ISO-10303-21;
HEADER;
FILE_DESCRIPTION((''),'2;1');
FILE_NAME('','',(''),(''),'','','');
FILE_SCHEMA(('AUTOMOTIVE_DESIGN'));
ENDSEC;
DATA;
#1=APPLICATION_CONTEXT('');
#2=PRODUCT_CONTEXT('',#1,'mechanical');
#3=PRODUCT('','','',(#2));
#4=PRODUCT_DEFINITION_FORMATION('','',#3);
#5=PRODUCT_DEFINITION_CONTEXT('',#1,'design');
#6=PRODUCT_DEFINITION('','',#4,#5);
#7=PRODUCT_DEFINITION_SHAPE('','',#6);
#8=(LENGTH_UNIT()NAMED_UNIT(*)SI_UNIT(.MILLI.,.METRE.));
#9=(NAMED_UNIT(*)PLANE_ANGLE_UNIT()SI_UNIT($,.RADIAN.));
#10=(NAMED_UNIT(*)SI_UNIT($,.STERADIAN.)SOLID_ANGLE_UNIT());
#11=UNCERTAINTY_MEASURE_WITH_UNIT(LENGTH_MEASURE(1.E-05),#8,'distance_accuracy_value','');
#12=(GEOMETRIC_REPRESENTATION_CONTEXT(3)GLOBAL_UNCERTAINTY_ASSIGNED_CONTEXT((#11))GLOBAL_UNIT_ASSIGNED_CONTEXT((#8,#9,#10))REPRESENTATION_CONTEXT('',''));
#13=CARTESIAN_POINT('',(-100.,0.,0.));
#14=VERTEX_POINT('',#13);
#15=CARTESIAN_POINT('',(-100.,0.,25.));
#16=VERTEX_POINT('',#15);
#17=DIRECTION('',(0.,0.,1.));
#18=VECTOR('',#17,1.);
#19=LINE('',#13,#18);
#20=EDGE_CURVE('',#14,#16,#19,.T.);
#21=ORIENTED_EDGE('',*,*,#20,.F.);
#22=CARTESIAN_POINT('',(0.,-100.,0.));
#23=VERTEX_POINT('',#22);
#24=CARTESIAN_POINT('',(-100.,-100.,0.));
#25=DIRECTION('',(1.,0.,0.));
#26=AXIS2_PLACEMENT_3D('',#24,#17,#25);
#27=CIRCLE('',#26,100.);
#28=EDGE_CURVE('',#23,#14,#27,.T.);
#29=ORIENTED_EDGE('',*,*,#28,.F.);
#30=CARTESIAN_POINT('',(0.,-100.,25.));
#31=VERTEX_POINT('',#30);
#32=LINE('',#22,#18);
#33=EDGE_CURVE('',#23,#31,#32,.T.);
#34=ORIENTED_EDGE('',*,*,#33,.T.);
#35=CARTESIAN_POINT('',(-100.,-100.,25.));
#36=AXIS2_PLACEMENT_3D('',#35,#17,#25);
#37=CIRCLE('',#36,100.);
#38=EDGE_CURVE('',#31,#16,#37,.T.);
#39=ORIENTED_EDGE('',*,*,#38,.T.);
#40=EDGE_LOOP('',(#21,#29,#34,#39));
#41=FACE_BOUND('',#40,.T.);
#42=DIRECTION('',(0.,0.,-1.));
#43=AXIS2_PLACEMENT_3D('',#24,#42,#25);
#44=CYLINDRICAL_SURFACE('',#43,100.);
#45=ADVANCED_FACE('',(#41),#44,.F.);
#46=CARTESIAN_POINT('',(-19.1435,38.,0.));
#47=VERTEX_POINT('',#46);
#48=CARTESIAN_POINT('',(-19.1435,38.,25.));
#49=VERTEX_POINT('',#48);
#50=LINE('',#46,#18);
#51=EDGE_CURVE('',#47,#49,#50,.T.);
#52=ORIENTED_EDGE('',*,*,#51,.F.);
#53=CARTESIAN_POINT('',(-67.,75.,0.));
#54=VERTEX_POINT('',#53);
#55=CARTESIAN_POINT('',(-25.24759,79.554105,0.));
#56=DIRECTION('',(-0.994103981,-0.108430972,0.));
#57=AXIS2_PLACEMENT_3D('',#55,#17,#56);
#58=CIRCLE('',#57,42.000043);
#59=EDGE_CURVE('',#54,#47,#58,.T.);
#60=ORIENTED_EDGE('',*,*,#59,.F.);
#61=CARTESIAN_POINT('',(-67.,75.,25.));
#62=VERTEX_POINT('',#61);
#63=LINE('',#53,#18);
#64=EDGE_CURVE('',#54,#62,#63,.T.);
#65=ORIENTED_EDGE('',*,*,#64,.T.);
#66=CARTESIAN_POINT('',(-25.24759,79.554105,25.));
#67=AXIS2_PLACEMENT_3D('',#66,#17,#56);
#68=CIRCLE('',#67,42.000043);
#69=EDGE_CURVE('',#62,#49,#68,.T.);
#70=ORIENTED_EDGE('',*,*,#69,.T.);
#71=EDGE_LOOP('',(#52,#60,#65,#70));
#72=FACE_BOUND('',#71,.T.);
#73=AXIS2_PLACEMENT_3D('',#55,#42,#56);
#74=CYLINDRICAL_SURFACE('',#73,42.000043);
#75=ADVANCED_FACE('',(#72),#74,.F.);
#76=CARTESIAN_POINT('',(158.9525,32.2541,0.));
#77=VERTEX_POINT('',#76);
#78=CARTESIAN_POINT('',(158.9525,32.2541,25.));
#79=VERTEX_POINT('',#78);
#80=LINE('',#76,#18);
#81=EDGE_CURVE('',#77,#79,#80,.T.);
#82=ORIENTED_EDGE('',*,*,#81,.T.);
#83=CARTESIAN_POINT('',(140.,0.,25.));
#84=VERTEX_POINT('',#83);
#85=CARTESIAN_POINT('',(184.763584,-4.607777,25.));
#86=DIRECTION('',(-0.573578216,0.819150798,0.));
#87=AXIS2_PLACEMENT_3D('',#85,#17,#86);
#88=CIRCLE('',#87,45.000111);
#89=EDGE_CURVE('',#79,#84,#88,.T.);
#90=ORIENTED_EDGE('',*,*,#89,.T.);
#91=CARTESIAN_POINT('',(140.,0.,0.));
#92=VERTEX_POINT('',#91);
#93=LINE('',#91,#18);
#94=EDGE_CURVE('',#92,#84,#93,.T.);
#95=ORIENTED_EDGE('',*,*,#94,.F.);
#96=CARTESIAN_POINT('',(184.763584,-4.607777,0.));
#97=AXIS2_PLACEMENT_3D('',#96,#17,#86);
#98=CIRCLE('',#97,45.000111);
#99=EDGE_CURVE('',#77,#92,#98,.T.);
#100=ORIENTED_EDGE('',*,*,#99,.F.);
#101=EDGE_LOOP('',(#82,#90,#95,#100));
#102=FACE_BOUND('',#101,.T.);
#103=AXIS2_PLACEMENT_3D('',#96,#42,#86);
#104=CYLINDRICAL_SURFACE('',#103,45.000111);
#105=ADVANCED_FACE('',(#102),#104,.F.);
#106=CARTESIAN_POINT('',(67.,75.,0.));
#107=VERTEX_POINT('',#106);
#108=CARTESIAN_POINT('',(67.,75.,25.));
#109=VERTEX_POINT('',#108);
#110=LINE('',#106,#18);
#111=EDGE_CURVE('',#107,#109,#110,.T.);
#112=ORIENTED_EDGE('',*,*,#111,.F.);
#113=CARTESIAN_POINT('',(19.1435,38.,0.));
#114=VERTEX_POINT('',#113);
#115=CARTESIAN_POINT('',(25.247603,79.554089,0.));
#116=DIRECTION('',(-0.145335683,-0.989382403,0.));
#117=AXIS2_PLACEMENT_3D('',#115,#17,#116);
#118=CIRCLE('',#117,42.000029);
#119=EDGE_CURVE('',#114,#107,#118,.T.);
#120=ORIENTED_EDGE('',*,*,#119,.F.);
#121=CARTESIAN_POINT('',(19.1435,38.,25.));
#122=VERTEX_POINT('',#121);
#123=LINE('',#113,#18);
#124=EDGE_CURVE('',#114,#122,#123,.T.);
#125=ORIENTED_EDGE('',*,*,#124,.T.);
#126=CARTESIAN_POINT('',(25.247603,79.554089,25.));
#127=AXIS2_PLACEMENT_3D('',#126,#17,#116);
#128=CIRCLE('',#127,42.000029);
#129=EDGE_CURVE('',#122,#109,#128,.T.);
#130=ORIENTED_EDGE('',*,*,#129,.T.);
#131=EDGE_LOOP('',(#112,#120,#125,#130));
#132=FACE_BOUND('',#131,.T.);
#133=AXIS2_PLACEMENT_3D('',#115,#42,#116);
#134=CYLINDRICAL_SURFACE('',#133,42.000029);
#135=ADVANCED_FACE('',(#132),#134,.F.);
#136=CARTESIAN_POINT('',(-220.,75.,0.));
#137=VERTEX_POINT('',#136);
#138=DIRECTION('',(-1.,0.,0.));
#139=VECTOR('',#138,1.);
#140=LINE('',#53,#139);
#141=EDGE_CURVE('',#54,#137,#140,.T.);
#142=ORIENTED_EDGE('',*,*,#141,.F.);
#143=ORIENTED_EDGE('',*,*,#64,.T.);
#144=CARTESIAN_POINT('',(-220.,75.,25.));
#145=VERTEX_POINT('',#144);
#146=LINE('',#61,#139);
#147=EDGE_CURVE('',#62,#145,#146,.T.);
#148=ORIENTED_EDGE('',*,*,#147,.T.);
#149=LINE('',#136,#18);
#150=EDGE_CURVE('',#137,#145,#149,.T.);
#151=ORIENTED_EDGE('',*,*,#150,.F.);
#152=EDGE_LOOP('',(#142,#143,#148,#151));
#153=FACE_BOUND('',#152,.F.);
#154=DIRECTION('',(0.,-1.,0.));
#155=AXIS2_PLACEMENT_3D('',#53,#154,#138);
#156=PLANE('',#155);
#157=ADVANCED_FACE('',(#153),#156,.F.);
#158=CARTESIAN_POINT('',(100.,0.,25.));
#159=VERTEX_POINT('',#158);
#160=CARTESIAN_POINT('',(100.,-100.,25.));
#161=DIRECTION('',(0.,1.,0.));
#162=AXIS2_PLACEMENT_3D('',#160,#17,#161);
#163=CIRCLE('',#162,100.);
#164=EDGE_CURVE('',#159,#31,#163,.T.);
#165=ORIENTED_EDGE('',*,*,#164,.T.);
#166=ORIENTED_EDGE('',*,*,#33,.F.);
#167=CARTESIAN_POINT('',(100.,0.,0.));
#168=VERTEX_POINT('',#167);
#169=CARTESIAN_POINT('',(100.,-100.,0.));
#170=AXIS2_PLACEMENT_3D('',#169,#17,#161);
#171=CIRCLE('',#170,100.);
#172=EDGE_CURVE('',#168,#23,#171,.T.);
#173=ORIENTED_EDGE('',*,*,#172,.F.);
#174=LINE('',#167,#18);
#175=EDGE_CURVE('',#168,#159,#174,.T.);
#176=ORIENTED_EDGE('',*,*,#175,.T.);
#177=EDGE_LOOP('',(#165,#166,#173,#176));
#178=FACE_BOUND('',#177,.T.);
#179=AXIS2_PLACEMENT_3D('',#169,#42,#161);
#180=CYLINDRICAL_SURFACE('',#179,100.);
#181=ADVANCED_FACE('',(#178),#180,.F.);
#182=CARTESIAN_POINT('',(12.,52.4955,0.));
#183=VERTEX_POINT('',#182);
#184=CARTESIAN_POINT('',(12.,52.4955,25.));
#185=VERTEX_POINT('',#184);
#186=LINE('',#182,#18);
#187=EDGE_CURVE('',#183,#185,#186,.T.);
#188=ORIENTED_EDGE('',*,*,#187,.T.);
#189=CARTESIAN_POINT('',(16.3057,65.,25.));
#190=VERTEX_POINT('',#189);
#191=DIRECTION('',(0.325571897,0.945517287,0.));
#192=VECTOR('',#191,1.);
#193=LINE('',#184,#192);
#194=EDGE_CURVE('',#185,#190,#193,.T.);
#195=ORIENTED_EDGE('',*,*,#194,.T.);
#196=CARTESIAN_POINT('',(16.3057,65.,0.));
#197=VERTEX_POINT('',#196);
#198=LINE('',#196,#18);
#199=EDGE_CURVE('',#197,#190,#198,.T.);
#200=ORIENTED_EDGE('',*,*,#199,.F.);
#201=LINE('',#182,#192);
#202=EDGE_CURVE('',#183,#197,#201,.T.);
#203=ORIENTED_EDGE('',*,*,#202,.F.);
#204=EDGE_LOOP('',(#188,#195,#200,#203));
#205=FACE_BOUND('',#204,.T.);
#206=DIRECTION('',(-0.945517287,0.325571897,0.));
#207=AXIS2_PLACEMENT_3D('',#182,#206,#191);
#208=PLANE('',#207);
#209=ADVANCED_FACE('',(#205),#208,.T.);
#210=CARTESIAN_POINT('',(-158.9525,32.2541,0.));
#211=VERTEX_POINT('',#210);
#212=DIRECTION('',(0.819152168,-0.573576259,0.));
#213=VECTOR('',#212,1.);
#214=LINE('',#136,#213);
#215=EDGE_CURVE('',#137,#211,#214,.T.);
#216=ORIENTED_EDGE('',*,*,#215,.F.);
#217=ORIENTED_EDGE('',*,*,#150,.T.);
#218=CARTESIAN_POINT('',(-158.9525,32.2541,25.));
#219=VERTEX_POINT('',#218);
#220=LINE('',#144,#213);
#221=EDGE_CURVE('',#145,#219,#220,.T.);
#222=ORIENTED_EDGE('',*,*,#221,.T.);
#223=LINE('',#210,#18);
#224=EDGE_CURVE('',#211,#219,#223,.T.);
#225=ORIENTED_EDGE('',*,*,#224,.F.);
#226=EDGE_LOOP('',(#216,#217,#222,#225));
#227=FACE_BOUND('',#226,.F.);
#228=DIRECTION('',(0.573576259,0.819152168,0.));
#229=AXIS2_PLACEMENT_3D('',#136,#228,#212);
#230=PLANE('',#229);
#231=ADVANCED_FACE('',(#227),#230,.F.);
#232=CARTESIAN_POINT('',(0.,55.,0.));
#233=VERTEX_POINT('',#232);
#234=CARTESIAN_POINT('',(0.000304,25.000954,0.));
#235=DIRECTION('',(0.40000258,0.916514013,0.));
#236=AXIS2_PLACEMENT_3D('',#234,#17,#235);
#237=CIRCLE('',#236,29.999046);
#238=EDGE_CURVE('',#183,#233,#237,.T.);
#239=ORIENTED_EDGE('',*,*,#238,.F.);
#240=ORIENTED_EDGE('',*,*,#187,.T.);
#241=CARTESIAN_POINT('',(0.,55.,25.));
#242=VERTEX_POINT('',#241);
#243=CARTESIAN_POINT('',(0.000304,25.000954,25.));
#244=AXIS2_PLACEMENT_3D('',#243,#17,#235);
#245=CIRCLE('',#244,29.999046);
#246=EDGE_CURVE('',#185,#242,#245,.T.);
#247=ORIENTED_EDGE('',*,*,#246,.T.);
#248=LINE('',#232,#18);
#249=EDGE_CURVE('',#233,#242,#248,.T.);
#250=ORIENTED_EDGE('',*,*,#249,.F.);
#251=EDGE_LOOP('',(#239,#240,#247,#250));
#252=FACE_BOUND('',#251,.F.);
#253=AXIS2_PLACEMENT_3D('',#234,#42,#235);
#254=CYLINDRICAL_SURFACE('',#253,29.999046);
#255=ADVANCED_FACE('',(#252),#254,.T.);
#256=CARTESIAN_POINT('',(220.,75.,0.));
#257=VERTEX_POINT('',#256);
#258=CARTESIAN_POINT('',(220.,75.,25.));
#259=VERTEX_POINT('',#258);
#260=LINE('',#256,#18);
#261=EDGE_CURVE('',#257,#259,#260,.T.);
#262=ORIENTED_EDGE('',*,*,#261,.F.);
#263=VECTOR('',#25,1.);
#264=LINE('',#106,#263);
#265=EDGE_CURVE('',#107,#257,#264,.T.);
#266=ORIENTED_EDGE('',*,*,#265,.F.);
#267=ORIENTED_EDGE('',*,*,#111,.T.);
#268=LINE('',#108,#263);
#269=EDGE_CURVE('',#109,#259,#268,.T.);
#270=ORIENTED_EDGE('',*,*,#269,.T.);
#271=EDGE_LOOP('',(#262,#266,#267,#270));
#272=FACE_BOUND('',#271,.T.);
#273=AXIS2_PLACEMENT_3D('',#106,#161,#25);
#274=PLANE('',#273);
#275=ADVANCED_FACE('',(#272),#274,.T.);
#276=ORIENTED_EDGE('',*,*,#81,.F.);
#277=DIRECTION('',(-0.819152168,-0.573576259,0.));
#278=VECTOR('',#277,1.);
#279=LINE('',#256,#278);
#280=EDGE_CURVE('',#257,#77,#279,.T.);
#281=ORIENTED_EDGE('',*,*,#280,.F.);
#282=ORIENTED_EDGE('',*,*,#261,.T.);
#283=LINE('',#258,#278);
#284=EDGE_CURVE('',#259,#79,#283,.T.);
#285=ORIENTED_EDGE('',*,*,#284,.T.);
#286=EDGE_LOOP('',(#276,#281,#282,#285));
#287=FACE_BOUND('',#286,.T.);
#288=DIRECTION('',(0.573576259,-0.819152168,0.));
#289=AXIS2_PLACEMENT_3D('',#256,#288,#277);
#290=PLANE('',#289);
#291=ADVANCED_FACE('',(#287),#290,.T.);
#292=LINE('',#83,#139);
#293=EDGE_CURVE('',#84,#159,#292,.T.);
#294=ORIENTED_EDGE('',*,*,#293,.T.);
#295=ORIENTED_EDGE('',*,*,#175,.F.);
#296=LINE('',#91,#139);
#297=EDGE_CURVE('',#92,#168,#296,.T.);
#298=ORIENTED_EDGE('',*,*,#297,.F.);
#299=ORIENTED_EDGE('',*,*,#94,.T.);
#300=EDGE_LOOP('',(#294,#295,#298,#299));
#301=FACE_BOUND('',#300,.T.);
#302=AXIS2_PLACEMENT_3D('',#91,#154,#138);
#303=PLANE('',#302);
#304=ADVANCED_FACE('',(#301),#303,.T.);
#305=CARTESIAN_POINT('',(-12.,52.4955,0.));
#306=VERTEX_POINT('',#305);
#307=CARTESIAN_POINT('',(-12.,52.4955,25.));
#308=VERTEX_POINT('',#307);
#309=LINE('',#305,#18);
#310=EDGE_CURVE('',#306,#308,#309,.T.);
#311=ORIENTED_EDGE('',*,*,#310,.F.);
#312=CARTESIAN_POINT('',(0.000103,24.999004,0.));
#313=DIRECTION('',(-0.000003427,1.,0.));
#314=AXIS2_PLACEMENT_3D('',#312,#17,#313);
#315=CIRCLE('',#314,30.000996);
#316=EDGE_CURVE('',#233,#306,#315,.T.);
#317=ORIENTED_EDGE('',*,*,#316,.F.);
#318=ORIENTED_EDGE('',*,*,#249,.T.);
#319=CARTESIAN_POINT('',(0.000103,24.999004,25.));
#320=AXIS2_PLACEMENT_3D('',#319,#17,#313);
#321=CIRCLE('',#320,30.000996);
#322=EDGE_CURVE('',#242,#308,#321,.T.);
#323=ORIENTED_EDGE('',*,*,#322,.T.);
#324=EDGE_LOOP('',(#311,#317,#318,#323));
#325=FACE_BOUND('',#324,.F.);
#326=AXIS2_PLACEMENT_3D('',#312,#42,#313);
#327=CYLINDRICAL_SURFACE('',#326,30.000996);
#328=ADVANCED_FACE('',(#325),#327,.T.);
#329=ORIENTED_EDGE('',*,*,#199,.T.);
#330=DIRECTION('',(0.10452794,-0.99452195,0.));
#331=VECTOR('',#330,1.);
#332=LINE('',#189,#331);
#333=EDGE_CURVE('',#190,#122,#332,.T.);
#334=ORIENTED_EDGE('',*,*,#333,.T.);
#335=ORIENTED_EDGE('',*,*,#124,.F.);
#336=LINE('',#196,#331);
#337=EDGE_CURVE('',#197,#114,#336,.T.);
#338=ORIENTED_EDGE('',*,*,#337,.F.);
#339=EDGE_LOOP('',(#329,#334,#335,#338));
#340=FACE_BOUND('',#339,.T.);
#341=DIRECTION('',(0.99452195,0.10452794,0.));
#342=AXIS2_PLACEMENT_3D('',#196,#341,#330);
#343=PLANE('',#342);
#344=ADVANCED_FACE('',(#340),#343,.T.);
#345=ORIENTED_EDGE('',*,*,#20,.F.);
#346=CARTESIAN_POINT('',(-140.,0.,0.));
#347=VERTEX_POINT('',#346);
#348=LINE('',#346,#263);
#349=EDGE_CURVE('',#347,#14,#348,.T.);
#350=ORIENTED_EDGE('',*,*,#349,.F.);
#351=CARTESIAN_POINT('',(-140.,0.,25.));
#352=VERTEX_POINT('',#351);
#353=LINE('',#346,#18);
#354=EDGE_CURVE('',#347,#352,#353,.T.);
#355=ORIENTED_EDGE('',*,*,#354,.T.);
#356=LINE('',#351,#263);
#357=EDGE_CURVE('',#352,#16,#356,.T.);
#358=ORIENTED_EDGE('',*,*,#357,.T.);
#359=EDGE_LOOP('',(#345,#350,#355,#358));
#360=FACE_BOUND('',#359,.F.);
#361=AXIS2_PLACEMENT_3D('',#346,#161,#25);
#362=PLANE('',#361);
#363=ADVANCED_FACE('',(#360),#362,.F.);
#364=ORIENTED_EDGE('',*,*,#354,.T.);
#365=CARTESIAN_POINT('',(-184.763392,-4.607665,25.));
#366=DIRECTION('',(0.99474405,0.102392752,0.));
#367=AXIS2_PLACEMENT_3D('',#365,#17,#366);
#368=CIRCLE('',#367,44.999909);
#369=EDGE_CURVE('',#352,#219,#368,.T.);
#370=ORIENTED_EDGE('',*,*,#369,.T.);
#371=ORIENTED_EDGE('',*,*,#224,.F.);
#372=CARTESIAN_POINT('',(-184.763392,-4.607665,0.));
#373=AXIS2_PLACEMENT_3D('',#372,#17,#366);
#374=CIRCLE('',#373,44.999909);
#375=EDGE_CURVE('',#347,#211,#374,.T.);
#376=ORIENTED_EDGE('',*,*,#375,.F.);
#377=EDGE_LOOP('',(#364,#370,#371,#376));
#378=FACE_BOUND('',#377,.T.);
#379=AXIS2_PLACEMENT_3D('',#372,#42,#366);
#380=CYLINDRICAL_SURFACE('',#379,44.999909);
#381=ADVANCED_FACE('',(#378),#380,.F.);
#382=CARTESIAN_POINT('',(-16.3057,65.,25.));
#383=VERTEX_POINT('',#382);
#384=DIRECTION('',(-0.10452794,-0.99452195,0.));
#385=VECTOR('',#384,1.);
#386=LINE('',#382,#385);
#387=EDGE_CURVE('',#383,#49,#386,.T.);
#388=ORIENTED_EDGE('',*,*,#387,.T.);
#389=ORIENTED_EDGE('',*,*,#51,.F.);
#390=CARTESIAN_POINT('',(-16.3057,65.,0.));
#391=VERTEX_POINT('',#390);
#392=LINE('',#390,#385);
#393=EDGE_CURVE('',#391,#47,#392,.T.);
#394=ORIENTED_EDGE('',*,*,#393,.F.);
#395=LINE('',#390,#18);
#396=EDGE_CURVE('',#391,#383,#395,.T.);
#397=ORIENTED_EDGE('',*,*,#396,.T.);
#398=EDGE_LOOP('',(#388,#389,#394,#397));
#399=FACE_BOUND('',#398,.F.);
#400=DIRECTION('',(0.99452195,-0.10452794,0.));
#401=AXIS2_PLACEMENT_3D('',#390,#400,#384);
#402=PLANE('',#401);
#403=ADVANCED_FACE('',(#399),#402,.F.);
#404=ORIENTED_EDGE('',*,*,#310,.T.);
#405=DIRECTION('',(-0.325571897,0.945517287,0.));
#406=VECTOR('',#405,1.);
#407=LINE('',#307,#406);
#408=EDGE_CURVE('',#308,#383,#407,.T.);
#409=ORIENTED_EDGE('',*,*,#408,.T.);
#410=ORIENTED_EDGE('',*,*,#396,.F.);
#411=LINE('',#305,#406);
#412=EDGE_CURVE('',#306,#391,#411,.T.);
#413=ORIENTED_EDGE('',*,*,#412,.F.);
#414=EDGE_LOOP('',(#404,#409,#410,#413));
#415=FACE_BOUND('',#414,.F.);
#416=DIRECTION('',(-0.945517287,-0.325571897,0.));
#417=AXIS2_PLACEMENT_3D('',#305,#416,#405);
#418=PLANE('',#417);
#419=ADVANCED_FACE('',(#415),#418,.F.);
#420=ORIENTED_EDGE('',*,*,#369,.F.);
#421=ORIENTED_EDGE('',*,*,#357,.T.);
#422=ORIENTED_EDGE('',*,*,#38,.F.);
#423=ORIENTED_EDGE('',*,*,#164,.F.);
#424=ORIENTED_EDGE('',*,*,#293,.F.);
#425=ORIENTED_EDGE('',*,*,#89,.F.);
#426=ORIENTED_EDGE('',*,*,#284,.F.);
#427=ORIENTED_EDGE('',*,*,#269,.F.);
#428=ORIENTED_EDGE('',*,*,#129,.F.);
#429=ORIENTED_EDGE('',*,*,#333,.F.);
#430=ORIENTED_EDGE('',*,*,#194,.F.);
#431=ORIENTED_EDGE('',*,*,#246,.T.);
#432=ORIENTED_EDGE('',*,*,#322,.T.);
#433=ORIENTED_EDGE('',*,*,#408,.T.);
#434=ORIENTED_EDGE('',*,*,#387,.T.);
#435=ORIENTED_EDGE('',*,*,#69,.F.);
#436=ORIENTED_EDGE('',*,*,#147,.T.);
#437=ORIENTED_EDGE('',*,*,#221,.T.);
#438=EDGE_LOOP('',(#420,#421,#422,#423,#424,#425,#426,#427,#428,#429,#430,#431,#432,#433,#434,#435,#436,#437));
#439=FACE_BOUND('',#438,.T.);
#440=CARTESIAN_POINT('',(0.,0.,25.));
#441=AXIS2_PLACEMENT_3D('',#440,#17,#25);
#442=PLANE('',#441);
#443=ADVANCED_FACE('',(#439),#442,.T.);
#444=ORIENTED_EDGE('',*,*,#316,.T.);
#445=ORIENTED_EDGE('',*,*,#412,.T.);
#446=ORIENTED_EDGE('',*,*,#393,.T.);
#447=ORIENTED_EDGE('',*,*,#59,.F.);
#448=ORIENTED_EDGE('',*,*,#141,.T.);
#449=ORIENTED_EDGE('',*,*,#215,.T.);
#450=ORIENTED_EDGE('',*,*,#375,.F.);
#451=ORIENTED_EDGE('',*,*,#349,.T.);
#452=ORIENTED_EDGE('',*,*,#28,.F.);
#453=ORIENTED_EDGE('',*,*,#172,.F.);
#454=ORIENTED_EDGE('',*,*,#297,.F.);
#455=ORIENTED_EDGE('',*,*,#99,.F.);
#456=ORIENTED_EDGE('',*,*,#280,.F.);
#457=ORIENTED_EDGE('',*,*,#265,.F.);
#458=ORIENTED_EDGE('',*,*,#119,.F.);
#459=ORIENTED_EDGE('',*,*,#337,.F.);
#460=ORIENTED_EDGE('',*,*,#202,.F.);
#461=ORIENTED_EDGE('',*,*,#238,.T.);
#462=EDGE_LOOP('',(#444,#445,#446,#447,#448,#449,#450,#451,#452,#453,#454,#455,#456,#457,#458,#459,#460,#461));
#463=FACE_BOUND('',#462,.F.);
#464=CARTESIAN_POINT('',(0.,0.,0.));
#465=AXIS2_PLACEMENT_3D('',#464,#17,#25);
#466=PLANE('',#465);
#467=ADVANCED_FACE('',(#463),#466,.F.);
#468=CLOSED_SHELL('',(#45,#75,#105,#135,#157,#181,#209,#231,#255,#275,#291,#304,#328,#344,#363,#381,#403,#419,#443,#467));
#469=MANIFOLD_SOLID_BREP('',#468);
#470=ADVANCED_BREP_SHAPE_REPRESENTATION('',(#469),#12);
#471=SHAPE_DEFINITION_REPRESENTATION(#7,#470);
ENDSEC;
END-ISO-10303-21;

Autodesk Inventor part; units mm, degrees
ref_plane "YZ Plane" through (0, 0, 0) normal (1, 0, 0) x (0, 1, 0)
ref_plane "XZ Plane" through (0, 0, 0) normal (0, 1, 0) x (-1, 0, 0)
ref_plane "XY Plane" through (0, 0, 0) normal (0, 0, 1) x (1, 0, 0)
sketch "Sketch1" plane through (0, 0, 0) normal (0, 0, 1) x (1, 0, 0)
  line L0 (0, 110.8966) -> (0, -110.8966) construction
  line L1 (-205.6207, 0) -> (205.6207, 0) construction
  line L2 (-67, 75) -> (-220, 75)
  line L3 (-220, 75) -> (-158.9525, 32.2541)
  line L4 (-140, 0) -> (-100, 0)
  arc A0 (-140, 0) -> (-158.9525, 32.2541) centre (-184.7635, -4.6077) ccw
  arc A1 (0, -100) -> (-100, 0) centre (-100, -100) ccw
  arc A2 (0, 55) -> (-12, 52.4955) centre (0, 25) ccw
  line L5 (-12, 52.4955) -> (-16.3057, 65)
  line L6 (-16.3057, 65) -> (-19.1435, 38)
  arc A3 (-67, 75) -> (-19.1435, 38) centre (-25.2476, 79.5541) ccw
  line L7 (205.6207, 0) -> (-205.6207, 0) construction
  line L8 (67, 75) -> (220, 75)
  line L9 (220, 75) -> (158.9525, 32.2541)
  line L10 (140, 0) -> (100, 0)
  arc A4 (158.9525, 32.2541) -> (140, 0) centre (184.7635, -4.6077) ccw
  arc A5 (100, 0) -> (0, -100) centre (100, -100) ccw
  arc A6 (12, 52.4955) -> (0, 55) centre (0, 25) ccw
  line L11 (12, 52.4955) -> (16.3057, 65)
  line L12 (16.3057, 65) -> (19.1435, 38)
  arc A7 (19.1435, 38) -> (67, 75) centre (25.2476, 79.5541) ccw
  point P0 (0, 0)
  point P1 (0, 0)
  dimension "d1" = 67
  dimension "d2" = 220
  dimension "d3" = 35
  dimension "d4" = 45
  dimension "d5" = 140
  dimension "d7" = 75
  dimension "d8" = 100
  dimension "d9" = 100
  dimension "d10" = 30
  dimension "d11" = 50
  dimension "d12" = 12
  dimension "d13" = 10
  dimension "d14" = 37
  dimension "d15" = 25
  dimension "d21" = 42
  dimension "d23" = 84
extrude "Extrusion1" add sketch "Sketch1" along normal blind 25
properties part number "Batarang"
